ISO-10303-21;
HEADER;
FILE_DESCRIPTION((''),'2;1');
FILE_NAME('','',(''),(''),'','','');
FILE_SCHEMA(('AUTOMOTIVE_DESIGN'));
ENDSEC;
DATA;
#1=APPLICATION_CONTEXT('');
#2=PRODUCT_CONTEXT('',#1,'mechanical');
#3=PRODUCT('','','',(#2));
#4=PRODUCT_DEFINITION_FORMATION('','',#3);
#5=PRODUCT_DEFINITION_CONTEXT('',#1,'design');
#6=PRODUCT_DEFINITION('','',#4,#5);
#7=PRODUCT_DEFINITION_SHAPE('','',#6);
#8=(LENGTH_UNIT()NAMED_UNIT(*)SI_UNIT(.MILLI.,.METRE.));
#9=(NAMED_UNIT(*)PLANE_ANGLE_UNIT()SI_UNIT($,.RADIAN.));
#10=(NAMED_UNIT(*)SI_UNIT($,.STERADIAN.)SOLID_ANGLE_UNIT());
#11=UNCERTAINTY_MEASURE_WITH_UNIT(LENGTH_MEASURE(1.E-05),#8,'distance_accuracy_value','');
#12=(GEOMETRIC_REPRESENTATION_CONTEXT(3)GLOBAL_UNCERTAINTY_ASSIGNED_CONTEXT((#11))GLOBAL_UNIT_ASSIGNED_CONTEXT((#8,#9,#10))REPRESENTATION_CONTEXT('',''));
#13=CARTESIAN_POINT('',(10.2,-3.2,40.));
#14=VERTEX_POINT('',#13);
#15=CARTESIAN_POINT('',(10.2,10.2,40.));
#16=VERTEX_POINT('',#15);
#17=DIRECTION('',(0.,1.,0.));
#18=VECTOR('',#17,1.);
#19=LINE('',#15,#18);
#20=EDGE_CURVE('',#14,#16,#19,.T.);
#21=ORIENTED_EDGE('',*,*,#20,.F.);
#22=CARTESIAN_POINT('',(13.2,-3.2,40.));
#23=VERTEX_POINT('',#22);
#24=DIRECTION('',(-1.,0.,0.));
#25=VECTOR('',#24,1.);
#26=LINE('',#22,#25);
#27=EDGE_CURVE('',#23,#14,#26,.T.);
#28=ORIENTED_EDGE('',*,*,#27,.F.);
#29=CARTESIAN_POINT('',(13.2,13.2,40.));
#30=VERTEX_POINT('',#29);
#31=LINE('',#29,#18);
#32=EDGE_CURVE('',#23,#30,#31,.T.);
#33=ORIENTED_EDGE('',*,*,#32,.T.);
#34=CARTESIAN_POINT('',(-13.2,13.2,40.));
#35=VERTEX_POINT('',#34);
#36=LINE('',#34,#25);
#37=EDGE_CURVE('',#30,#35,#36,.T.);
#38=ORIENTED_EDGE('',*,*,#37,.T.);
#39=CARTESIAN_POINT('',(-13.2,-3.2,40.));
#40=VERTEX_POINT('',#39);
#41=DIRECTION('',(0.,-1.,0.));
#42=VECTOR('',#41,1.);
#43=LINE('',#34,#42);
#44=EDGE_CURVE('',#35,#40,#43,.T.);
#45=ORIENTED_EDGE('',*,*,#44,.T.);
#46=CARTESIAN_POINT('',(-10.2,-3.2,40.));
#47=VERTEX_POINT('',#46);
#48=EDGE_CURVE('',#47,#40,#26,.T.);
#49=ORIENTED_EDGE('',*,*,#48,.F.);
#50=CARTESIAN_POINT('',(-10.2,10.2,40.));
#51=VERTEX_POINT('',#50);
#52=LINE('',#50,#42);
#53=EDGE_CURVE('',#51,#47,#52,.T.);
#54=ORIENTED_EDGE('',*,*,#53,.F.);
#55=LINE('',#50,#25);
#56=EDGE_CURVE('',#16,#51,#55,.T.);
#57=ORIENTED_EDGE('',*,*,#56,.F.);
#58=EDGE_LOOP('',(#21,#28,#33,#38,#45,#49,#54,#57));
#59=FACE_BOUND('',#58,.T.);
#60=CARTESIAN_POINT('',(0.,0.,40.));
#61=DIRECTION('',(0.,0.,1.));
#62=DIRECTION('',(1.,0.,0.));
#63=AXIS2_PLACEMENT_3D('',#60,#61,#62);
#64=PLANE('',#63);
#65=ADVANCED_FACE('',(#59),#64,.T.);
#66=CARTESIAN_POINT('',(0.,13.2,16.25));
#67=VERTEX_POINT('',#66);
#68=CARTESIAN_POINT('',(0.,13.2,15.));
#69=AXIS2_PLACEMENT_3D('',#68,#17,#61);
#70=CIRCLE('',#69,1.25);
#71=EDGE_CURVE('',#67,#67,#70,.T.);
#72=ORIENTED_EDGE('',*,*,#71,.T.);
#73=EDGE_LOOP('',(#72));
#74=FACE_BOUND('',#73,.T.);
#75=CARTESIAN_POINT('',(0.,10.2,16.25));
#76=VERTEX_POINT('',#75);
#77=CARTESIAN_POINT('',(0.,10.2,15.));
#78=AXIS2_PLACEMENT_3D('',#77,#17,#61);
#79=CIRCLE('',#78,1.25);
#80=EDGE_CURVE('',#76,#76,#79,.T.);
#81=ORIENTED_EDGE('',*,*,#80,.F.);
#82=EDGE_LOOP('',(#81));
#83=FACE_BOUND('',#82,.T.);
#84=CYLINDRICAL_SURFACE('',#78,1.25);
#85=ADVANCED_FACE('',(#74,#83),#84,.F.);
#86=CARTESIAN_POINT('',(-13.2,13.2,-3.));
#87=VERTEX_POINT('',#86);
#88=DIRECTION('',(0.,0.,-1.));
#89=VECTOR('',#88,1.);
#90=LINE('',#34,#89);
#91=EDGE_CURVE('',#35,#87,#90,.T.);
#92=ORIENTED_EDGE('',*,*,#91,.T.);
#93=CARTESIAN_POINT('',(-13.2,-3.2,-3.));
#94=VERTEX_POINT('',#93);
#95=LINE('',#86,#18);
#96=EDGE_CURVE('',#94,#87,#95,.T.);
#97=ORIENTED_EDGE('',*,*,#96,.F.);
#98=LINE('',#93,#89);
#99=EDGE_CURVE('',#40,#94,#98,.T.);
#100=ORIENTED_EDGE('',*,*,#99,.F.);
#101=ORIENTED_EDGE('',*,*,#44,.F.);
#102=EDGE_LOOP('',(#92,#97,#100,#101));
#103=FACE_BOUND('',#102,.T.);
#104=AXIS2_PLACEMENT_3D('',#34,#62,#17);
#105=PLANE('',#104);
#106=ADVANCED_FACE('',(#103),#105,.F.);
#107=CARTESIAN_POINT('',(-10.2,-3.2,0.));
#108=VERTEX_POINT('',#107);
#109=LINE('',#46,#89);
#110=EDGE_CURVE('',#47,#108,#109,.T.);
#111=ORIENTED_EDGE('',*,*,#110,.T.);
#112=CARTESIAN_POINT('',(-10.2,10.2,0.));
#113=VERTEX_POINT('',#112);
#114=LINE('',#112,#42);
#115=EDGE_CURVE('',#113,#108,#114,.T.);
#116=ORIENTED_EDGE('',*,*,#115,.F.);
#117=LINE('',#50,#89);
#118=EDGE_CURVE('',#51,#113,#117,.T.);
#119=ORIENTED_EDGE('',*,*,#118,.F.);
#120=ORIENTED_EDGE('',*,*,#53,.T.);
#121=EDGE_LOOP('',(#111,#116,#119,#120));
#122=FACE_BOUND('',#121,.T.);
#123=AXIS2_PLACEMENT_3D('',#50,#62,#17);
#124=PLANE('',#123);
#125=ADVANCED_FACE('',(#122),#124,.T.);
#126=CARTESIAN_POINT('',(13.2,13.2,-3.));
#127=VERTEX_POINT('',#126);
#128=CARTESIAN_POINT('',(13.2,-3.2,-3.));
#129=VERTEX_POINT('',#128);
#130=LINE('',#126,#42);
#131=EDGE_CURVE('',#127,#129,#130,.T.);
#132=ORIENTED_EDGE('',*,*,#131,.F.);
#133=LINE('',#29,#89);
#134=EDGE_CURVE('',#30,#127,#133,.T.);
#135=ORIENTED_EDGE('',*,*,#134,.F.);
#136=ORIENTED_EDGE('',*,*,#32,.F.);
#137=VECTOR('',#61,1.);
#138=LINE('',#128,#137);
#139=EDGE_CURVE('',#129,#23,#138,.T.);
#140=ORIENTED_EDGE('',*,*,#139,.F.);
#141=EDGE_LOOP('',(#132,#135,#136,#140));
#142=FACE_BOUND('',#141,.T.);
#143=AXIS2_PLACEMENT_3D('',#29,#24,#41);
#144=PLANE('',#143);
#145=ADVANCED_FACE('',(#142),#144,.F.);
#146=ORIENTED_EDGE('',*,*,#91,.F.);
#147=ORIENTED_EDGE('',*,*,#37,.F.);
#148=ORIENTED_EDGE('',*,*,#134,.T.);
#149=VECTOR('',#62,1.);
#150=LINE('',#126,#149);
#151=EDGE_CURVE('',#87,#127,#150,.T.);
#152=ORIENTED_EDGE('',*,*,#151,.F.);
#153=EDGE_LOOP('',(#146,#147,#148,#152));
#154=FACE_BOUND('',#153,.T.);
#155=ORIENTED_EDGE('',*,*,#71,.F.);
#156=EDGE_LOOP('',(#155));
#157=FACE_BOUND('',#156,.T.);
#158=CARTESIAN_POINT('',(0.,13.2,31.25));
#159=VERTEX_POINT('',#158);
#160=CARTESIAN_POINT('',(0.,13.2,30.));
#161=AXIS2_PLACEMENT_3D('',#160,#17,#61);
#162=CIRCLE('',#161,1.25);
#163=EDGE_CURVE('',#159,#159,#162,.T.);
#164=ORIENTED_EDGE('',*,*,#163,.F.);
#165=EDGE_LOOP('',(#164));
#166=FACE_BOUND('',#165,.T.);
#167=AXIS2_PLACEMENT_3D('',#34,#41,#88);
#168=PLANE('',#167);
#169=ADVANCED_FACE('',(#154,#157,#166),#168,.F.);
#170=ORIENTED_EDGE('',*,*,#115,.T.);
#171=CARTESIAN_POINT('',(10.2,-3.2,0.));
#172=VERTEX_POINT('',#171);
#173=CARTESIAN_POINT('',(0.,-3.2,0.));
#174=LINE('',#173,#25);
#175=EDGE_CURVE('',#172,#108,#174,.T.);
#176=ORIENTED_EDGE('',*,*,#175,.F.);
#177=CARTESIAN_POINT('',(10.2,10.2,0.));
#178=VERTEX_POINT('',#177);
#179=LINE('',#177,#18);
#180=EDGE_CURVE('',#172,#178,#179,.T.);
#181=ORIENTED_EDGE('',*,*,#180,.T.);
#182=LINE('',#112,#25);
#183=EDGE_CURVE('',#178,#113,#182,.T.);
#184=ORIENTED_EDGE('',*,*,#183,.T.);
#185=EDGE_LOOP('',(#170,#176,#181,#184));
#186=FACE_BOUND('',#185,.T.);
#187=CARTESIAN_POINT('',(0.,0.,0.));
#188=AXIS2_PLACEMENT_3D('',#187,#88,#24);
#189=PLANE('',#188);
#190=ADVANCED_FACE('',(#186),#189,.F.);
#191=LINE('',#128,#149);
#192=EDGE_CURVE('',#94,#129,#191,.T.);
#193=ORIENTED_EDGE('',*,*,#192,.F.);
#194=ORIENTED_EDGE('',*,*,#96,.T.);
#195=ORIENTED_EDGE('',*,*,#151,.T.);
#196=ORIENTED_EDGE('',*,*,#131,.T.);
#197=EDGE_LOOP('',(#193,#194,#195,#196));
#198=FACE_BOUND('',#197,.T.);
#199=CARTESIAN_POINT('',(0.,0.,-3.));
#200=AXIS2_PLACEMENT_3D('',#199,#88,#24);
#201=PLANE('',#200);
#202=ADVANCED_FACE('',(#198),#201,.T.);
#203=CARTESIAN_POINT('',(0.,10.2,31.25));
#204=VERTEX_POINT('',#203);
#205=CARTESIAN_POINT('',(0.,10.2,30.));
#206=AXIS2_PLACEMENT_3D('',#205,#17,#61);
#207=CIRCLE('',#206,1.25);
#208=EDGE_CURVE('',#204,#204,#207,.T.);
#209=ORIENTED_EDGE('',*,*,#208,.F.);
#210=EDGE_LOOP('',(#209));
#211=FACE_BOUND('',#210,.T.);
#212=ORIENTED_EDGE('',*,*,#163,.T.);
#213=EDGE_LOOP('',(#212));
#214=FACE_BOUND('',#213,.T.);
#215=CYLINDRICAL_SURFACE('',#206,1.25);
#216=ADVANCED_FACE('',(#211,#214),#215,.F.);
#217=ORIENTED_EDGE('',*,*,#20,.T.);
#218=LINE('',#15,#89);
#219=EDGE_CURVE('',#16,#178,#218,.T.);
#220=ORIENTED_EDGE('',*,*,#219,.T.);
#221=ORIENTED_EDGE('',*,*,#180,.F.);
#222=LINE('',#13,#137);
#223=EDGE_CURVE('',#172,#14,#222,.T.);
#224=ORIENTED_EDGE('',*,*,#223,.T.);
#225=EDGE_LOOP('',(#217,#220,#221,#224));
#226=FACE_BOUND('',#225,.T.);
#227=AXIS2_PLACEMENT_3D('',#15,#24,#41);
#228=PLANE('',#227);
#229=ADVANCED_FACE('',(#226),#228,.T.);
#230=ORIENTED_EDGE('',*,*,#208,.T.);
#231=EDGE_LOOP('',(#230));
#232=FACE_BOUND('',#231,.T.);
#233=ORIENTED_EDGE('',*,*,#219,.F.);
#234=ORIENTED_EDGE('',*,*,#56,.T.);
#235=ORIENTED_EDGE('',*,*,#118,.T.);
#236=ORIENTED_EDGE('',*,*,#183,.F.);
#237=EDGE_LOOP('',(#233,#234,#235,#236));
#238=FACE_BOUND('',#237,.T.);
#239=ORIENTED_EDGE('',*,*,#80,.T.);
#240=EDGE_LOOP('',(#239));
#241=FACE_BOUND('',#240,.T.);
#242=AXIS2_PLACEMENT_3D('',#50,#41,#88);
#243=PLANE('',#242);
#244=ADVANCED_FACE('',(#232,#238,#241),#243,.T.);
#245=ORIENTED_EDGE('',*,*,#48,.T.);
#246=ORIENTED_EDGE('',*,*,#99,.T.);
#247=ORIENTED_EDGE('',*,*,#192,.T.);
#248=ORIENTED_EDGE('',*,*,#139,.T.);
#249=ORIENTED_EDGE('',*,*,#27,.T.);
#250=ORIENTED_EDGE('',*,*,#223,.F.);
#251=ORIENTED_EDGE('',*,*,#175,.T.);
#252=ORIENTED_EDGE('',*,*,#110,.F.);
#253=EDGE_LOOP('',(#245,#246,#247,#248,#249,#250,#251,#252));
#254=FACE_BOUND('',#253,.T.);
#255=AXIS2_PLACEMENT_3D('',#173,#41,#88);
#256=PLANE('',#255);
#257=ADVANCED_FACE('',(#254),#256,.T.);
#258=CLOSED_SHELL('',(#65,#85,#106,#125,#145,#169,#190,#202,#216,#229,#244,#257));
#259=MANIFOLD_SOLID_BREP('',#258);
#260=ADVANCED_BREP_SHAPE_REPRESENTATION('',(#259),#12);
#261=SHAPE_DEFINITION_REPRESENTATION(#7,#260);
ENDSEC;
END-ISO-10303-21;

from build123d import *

# Parameters (mm, degrees)
SKETCH1_W           = 26.4
SKETCH1_H           = 26.4
SKETCH1_W_2         = 20.4
SKETCH1_H_2         = 20.4
BOSS_EXTRUDE1_DEPTH = 40
SKETCH2_W           = 26.4
SKETCH2_H           = 26.4
BOSS_EXTRUDE2_DEPTH = 3
SKETCH3_W           = 20.4
SKETCH3_H           = 40
CUT_EXTRUDE1_DEPTH  = 3
SKETCH4_R           = 1.25
CUT_EXTRUDE2_DEPTH  = 3
SKETCH5_W           = 26.4
SKETCH5_H           = 43
CUT_EXTRUDE3_DEPTH  = 10


with BuildPart() as part:
    # Sketch1 → Boss-Extrude1 (new body)
    with BuildSketch(Plane.XY):
        Rectangle(SKETCH1_W, SKETCH1_H)
        Rectangle(SKETCH1_W_2, SKETCH1_H_2, mode=Mode.SUBTRACT)
    extrude(amount=BOSS_EXTRUDE1_DEPTH)

    # Sketch2 → Boss-Extrude2 (add)
    with BuildSketch(Plane(origin=(0, 0, 0), x_dir=(-1, 0, 0), z_dir=(0, 0, -1))):
        Rectangle(SKETCH2_W, SKETCH2_H)
    extrude(amount=BOSS_EXTRUDE2_DEPTH)

    # Sketch3 → Cut-Extrude1 (cut)
    with BuildSketch(Plane.XZ.offset(13.2)):
        with Locations((0, 20)):
            Rectangle(SKETCH3_W, SKETCH3_H)
    extrude(amount=-CUT_EXTRUDE1_DEPTH, mode=Mode.SUBTRACT)

    # Sketch4 → Cut-Extrude2 (cut)
    with BuildSketch(Plane(origin=(0, 13.2, 0), x_dir=(1, 0, 0), z_dir=(0, 1, 0))):
        with Locations(Location((0, -15, 0), (0, 0, 270))):
            Circle(SKETCH4_R)
        with Locations(Location((0, -30, 0), (0, 0, 270))):
            Circle(SKETCH4_R)
    extrude(amount=-CUT_EXTRUDE2_DEPTH, mode=Mode.SUBTRACT)

    # Sketch5 → Cut-Extrude3 (cut)
    with BuildSketch(Plane.XZ.offset(13.2)):
        with Locations((0, 18.5)):
            Rectangle(SKETCH5_W, SKETCH5_H)
    extrude(amount=-CUT_EXTRUDE3_DEPTH, mode=Mode.SUBTRACT)


solid = part.part
